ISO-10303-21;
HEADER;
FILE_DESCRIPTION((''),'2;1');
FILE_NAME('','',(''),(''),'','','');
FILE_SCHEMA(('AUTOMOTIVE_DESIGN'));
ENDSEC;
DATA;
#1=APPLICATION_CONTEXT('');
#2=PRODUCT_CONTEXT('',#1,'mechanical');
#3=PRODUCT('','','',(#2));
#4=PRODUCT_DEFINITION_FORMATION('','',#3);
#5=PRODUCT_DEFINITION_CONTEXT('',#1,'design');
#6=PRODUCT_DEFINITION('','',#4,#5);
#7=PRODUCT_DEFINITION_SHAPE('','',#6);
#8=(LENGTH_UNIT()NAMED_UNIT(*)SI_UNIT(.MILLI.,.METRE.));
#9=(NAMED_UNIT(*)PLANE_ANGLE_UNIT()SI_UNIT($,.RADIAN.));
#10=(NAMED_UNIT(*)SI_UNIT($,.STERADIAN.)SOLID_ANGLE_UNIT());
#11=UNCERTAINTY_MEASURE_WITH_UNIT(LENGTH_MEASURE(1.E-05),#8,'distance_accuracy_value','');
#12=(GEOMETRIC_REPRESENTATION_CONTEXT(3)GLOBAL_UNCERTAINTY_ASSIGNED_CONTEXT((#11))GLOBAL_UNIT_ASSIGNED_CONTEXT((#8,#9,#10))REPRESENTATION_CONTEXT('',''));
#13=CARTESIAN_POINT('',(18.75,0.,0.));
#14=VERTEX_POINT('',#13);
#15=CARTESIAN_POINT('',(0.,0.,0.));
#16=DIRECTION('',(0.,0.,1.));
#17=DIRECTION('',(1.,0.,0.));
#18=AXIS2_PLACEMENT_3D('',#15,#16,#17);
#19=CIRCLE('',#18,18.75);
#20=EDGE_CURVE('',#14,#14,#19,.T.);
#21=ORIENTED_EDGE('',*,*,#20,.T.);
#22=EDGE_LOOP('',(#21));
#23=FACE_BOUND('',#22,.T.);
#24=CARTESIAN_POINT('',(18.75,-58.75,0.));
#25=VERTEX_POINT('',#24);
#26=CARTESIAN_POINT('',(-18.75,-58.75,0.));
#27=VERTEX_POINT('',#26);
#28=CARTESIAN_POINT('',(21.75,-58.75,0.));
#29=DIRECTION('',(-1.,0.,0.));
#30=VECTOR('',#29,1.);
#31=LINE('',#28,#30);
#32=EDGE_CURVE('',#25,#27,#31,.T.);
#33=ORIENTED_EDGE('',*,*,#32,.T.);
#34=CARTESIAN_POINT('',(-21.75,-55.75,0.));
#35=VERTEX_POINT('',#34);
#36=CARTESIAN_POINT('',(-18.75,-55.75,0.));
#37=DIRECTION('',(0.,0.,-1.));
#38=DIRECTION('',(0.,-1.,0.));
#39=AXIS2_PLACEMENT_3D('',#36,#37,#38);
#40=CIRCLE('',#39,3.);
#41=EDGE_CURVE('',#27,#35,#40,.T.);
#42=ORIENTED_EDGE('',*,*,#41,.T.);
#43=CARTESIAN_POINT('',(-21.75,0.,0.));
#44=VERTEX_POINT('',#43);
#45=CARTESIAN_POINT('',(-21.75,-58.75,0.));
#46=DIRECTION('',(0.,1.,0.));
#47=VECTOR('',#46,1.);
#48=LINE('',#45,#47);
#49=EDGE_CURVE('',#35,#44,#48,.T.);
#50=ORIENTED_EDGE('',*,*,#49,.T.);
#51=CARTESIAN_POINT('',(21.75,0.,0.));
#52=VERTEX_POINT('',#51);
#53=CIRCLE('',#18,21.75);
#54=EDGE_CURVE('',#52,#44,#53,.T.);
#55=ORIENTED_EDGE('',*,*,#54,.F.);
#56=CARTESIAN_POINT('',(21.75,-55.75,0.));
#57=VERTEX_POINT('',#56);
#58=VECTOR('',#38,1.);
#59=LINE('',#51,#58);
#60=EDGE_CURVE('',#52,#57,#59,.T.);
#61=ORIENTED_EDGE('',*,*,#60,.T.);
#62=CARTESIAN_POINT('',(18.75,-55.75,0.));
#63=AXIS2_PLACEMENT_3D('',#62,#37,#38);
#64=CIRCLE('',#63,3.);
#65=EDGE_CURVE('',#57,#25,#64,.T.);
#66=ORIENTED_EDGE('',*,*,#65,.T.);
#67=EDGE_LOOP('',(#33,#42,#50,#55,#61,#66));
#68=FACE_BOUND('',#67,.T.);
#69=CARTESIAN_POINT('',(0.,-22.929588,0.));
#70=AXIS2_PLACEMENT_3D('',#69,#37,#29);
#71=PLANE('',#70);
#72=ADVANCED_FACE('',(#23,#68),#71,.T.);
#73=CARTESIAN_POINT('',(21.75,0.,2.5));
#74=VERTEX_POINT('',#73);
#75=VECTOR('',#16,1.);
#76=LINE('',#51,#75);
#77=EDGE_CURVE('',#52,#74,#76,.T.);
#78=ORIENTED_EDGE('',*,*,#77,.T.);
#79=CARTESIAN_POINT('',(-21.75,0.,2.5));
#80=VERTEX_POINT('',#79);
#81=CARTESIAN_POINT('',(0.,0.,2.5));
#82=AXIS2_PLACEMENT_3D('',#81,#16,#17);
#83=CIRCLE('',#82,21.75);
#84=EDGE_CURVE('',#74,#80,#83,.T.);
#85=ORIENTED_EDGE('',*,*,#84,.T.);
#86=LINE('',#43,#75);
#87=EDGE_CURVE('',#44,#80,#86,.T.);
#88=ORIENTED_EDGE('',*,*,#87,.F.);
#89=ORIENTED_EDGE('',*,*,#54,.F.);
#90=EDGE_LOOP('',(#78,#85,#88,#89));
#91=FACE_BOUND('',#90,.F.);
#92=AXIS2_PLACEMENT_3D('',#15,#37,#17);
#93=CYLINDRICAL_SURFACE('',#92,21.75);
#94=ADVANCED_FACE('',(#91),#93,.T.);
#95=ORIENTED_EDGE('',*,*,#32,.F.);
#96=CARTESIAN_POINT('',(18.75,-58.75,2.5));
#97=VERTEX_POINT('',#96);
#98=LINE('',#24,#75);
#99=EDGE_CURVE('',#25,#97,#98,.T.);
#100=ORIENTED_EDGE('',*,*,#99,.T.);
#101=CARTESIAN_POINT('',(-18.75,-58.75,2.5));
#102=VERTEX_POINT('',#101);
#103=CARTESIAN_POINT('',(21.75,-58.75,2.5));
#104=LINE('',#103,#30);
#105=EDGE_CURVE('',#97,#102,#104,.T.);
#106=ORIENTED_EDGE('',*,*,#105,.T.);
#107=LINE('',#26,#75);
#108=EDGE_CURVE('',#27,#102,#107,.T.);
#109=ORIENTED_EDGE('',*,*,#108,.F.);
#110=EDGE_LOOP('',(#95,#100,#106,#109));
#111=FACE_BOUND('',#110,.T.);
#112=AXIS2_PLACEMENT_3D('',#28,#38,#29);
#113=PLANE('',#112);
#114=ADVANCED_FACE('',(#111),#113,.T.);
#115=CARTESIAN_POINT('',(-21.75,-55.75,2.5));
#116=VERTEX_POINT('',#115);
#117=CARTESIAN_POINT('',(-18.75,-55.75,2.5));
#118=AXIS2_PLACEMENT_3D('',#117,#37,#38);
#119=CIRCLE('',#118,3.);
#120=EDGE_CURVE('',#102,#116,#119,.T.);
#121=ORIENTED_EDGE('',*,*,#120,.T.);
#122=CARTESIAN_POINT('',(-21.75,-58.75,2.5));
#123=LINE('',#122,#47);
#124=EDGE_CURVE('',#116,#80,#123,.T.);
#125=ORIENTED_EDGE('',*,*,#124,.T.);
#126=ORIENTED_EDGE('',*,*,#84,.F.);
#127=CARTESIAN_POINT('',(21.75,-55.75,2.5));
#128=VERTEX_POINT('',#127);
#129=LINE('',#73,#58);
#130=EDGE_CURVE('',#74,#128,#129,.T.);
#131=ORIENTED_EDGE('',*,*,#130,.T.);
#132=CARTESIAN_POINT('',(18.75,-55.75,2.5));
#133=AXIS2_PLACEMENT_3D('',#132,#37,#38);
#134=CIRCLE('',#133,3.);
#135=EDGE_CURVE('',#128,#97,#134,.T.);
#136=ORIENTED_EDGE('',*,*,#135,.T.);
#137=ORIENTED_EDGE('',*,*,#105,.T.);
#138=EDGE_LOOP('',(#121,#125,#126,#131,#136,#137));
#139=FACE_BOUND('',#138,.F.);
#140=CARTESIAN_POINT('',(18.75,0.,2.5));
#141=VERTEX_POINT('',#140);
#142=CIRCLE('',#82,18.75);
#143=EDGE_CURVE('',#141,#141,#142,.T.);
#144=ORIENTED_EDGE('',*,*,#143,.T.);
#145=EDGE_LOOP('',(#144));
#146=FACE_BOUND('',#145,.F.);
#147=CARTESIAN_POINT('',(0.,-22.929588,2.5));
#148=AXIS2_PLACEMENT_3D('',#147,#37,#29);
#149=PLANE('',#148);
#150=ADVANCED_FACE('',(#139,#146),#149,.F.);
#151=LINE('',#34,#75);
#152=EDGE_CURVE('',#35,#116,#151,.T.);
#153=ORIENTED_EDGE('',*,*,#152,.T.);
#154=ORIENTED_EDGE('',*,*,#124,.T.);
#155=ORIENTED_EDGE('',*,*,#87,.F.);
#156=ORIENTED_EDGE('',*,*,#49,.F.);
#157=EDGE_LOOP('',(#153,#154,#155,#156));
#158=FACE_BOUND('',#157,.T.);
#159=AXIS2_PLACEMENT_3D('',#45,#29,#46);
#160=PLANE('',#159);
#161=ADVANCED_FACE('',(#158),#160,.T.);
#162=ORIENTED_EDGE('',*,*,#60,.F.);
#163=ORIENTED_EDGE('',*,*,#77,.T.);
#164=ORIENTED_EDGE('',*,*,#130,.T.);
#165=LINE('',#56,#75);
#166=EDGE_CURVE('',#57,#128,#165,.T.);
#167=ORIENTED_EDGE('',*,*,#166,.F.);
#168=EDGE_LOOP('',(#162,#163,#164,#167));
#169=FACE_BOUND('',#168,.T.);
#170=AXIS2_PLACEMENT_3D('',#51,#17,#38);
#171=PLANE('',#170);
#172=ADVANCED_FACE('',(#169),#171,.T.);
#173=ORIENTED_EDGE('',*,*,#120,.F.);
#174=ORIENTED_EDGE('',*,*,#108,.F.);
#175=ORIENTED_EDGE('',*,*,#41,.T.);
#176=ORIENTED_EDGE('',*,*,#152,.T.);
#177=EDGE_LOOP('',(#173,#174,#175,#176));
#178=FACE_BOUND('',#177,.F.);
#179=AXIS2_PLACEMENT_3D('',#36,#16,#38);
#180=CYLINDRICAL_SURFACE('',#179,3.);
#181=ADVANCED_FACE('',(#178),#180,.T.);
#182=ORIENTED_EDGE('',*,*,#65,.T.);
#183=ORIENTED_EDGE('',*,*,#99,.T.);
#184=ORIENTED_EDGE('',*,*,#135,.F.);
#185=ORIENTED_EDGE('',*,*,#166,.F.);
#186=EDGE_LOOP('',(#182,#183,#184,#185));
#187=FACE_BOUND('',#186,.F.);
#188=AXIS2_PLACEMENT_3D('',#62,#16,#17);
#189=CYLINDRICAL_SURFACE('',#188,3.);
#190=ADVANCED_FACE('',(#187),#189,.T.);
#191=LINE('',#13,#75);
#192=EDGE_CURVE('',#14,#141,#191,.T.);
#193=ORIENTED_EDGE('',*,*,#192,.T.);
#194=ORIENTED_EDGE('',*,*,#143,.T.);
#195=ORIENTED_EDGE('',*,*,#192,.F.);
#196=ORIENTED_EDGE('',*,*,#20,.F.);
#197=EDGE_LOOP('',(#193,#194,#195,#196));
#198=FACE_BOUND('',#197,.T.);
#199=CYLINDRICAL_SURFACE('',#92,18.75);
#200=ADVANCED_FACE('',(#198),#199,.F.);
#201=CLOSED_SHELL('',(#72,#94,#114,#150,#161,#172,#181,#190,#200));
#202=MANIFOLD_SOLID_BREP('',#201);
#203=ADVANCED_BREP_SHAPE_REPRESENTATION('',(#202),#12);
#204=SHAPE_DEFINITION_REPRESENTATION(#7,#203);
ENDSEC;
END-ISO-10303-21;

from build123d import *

# Parameters (mm, degrees)
SKETCH_R  = 18.75
PAD_DEPTH = 2.5
FILLET_R  = 3


with BuildPart() as part:
    # Sketch → Pad (new body)
    with BuildSketch(Plane.XY):
        with BuildLine():
            Line((21.75, 0), (21.75, -58.75))
            Line((21.75, -58.75), (-21.75, -58.75))
            Line((-21.75, -58.75), (-21.75, 0))
            ThreePointArc((21.75, 0), (0, 21.75), (-21.75, 0))
        make_face()
        Circle(SKETCH_R, mode=Mode.SUBTRACT)
    extrude(amount=PAD_DEPTH)

    # Fillet
    fillet_edges = [part.edges().sort_by_distance(p)[0] for p in [
        (-21.75, -58.75, 1.25),
        (21.75, -58.75, 1.25),
    ]]
    fillet(fillet_edges, radius=FILLET_R)


solid = part.part
